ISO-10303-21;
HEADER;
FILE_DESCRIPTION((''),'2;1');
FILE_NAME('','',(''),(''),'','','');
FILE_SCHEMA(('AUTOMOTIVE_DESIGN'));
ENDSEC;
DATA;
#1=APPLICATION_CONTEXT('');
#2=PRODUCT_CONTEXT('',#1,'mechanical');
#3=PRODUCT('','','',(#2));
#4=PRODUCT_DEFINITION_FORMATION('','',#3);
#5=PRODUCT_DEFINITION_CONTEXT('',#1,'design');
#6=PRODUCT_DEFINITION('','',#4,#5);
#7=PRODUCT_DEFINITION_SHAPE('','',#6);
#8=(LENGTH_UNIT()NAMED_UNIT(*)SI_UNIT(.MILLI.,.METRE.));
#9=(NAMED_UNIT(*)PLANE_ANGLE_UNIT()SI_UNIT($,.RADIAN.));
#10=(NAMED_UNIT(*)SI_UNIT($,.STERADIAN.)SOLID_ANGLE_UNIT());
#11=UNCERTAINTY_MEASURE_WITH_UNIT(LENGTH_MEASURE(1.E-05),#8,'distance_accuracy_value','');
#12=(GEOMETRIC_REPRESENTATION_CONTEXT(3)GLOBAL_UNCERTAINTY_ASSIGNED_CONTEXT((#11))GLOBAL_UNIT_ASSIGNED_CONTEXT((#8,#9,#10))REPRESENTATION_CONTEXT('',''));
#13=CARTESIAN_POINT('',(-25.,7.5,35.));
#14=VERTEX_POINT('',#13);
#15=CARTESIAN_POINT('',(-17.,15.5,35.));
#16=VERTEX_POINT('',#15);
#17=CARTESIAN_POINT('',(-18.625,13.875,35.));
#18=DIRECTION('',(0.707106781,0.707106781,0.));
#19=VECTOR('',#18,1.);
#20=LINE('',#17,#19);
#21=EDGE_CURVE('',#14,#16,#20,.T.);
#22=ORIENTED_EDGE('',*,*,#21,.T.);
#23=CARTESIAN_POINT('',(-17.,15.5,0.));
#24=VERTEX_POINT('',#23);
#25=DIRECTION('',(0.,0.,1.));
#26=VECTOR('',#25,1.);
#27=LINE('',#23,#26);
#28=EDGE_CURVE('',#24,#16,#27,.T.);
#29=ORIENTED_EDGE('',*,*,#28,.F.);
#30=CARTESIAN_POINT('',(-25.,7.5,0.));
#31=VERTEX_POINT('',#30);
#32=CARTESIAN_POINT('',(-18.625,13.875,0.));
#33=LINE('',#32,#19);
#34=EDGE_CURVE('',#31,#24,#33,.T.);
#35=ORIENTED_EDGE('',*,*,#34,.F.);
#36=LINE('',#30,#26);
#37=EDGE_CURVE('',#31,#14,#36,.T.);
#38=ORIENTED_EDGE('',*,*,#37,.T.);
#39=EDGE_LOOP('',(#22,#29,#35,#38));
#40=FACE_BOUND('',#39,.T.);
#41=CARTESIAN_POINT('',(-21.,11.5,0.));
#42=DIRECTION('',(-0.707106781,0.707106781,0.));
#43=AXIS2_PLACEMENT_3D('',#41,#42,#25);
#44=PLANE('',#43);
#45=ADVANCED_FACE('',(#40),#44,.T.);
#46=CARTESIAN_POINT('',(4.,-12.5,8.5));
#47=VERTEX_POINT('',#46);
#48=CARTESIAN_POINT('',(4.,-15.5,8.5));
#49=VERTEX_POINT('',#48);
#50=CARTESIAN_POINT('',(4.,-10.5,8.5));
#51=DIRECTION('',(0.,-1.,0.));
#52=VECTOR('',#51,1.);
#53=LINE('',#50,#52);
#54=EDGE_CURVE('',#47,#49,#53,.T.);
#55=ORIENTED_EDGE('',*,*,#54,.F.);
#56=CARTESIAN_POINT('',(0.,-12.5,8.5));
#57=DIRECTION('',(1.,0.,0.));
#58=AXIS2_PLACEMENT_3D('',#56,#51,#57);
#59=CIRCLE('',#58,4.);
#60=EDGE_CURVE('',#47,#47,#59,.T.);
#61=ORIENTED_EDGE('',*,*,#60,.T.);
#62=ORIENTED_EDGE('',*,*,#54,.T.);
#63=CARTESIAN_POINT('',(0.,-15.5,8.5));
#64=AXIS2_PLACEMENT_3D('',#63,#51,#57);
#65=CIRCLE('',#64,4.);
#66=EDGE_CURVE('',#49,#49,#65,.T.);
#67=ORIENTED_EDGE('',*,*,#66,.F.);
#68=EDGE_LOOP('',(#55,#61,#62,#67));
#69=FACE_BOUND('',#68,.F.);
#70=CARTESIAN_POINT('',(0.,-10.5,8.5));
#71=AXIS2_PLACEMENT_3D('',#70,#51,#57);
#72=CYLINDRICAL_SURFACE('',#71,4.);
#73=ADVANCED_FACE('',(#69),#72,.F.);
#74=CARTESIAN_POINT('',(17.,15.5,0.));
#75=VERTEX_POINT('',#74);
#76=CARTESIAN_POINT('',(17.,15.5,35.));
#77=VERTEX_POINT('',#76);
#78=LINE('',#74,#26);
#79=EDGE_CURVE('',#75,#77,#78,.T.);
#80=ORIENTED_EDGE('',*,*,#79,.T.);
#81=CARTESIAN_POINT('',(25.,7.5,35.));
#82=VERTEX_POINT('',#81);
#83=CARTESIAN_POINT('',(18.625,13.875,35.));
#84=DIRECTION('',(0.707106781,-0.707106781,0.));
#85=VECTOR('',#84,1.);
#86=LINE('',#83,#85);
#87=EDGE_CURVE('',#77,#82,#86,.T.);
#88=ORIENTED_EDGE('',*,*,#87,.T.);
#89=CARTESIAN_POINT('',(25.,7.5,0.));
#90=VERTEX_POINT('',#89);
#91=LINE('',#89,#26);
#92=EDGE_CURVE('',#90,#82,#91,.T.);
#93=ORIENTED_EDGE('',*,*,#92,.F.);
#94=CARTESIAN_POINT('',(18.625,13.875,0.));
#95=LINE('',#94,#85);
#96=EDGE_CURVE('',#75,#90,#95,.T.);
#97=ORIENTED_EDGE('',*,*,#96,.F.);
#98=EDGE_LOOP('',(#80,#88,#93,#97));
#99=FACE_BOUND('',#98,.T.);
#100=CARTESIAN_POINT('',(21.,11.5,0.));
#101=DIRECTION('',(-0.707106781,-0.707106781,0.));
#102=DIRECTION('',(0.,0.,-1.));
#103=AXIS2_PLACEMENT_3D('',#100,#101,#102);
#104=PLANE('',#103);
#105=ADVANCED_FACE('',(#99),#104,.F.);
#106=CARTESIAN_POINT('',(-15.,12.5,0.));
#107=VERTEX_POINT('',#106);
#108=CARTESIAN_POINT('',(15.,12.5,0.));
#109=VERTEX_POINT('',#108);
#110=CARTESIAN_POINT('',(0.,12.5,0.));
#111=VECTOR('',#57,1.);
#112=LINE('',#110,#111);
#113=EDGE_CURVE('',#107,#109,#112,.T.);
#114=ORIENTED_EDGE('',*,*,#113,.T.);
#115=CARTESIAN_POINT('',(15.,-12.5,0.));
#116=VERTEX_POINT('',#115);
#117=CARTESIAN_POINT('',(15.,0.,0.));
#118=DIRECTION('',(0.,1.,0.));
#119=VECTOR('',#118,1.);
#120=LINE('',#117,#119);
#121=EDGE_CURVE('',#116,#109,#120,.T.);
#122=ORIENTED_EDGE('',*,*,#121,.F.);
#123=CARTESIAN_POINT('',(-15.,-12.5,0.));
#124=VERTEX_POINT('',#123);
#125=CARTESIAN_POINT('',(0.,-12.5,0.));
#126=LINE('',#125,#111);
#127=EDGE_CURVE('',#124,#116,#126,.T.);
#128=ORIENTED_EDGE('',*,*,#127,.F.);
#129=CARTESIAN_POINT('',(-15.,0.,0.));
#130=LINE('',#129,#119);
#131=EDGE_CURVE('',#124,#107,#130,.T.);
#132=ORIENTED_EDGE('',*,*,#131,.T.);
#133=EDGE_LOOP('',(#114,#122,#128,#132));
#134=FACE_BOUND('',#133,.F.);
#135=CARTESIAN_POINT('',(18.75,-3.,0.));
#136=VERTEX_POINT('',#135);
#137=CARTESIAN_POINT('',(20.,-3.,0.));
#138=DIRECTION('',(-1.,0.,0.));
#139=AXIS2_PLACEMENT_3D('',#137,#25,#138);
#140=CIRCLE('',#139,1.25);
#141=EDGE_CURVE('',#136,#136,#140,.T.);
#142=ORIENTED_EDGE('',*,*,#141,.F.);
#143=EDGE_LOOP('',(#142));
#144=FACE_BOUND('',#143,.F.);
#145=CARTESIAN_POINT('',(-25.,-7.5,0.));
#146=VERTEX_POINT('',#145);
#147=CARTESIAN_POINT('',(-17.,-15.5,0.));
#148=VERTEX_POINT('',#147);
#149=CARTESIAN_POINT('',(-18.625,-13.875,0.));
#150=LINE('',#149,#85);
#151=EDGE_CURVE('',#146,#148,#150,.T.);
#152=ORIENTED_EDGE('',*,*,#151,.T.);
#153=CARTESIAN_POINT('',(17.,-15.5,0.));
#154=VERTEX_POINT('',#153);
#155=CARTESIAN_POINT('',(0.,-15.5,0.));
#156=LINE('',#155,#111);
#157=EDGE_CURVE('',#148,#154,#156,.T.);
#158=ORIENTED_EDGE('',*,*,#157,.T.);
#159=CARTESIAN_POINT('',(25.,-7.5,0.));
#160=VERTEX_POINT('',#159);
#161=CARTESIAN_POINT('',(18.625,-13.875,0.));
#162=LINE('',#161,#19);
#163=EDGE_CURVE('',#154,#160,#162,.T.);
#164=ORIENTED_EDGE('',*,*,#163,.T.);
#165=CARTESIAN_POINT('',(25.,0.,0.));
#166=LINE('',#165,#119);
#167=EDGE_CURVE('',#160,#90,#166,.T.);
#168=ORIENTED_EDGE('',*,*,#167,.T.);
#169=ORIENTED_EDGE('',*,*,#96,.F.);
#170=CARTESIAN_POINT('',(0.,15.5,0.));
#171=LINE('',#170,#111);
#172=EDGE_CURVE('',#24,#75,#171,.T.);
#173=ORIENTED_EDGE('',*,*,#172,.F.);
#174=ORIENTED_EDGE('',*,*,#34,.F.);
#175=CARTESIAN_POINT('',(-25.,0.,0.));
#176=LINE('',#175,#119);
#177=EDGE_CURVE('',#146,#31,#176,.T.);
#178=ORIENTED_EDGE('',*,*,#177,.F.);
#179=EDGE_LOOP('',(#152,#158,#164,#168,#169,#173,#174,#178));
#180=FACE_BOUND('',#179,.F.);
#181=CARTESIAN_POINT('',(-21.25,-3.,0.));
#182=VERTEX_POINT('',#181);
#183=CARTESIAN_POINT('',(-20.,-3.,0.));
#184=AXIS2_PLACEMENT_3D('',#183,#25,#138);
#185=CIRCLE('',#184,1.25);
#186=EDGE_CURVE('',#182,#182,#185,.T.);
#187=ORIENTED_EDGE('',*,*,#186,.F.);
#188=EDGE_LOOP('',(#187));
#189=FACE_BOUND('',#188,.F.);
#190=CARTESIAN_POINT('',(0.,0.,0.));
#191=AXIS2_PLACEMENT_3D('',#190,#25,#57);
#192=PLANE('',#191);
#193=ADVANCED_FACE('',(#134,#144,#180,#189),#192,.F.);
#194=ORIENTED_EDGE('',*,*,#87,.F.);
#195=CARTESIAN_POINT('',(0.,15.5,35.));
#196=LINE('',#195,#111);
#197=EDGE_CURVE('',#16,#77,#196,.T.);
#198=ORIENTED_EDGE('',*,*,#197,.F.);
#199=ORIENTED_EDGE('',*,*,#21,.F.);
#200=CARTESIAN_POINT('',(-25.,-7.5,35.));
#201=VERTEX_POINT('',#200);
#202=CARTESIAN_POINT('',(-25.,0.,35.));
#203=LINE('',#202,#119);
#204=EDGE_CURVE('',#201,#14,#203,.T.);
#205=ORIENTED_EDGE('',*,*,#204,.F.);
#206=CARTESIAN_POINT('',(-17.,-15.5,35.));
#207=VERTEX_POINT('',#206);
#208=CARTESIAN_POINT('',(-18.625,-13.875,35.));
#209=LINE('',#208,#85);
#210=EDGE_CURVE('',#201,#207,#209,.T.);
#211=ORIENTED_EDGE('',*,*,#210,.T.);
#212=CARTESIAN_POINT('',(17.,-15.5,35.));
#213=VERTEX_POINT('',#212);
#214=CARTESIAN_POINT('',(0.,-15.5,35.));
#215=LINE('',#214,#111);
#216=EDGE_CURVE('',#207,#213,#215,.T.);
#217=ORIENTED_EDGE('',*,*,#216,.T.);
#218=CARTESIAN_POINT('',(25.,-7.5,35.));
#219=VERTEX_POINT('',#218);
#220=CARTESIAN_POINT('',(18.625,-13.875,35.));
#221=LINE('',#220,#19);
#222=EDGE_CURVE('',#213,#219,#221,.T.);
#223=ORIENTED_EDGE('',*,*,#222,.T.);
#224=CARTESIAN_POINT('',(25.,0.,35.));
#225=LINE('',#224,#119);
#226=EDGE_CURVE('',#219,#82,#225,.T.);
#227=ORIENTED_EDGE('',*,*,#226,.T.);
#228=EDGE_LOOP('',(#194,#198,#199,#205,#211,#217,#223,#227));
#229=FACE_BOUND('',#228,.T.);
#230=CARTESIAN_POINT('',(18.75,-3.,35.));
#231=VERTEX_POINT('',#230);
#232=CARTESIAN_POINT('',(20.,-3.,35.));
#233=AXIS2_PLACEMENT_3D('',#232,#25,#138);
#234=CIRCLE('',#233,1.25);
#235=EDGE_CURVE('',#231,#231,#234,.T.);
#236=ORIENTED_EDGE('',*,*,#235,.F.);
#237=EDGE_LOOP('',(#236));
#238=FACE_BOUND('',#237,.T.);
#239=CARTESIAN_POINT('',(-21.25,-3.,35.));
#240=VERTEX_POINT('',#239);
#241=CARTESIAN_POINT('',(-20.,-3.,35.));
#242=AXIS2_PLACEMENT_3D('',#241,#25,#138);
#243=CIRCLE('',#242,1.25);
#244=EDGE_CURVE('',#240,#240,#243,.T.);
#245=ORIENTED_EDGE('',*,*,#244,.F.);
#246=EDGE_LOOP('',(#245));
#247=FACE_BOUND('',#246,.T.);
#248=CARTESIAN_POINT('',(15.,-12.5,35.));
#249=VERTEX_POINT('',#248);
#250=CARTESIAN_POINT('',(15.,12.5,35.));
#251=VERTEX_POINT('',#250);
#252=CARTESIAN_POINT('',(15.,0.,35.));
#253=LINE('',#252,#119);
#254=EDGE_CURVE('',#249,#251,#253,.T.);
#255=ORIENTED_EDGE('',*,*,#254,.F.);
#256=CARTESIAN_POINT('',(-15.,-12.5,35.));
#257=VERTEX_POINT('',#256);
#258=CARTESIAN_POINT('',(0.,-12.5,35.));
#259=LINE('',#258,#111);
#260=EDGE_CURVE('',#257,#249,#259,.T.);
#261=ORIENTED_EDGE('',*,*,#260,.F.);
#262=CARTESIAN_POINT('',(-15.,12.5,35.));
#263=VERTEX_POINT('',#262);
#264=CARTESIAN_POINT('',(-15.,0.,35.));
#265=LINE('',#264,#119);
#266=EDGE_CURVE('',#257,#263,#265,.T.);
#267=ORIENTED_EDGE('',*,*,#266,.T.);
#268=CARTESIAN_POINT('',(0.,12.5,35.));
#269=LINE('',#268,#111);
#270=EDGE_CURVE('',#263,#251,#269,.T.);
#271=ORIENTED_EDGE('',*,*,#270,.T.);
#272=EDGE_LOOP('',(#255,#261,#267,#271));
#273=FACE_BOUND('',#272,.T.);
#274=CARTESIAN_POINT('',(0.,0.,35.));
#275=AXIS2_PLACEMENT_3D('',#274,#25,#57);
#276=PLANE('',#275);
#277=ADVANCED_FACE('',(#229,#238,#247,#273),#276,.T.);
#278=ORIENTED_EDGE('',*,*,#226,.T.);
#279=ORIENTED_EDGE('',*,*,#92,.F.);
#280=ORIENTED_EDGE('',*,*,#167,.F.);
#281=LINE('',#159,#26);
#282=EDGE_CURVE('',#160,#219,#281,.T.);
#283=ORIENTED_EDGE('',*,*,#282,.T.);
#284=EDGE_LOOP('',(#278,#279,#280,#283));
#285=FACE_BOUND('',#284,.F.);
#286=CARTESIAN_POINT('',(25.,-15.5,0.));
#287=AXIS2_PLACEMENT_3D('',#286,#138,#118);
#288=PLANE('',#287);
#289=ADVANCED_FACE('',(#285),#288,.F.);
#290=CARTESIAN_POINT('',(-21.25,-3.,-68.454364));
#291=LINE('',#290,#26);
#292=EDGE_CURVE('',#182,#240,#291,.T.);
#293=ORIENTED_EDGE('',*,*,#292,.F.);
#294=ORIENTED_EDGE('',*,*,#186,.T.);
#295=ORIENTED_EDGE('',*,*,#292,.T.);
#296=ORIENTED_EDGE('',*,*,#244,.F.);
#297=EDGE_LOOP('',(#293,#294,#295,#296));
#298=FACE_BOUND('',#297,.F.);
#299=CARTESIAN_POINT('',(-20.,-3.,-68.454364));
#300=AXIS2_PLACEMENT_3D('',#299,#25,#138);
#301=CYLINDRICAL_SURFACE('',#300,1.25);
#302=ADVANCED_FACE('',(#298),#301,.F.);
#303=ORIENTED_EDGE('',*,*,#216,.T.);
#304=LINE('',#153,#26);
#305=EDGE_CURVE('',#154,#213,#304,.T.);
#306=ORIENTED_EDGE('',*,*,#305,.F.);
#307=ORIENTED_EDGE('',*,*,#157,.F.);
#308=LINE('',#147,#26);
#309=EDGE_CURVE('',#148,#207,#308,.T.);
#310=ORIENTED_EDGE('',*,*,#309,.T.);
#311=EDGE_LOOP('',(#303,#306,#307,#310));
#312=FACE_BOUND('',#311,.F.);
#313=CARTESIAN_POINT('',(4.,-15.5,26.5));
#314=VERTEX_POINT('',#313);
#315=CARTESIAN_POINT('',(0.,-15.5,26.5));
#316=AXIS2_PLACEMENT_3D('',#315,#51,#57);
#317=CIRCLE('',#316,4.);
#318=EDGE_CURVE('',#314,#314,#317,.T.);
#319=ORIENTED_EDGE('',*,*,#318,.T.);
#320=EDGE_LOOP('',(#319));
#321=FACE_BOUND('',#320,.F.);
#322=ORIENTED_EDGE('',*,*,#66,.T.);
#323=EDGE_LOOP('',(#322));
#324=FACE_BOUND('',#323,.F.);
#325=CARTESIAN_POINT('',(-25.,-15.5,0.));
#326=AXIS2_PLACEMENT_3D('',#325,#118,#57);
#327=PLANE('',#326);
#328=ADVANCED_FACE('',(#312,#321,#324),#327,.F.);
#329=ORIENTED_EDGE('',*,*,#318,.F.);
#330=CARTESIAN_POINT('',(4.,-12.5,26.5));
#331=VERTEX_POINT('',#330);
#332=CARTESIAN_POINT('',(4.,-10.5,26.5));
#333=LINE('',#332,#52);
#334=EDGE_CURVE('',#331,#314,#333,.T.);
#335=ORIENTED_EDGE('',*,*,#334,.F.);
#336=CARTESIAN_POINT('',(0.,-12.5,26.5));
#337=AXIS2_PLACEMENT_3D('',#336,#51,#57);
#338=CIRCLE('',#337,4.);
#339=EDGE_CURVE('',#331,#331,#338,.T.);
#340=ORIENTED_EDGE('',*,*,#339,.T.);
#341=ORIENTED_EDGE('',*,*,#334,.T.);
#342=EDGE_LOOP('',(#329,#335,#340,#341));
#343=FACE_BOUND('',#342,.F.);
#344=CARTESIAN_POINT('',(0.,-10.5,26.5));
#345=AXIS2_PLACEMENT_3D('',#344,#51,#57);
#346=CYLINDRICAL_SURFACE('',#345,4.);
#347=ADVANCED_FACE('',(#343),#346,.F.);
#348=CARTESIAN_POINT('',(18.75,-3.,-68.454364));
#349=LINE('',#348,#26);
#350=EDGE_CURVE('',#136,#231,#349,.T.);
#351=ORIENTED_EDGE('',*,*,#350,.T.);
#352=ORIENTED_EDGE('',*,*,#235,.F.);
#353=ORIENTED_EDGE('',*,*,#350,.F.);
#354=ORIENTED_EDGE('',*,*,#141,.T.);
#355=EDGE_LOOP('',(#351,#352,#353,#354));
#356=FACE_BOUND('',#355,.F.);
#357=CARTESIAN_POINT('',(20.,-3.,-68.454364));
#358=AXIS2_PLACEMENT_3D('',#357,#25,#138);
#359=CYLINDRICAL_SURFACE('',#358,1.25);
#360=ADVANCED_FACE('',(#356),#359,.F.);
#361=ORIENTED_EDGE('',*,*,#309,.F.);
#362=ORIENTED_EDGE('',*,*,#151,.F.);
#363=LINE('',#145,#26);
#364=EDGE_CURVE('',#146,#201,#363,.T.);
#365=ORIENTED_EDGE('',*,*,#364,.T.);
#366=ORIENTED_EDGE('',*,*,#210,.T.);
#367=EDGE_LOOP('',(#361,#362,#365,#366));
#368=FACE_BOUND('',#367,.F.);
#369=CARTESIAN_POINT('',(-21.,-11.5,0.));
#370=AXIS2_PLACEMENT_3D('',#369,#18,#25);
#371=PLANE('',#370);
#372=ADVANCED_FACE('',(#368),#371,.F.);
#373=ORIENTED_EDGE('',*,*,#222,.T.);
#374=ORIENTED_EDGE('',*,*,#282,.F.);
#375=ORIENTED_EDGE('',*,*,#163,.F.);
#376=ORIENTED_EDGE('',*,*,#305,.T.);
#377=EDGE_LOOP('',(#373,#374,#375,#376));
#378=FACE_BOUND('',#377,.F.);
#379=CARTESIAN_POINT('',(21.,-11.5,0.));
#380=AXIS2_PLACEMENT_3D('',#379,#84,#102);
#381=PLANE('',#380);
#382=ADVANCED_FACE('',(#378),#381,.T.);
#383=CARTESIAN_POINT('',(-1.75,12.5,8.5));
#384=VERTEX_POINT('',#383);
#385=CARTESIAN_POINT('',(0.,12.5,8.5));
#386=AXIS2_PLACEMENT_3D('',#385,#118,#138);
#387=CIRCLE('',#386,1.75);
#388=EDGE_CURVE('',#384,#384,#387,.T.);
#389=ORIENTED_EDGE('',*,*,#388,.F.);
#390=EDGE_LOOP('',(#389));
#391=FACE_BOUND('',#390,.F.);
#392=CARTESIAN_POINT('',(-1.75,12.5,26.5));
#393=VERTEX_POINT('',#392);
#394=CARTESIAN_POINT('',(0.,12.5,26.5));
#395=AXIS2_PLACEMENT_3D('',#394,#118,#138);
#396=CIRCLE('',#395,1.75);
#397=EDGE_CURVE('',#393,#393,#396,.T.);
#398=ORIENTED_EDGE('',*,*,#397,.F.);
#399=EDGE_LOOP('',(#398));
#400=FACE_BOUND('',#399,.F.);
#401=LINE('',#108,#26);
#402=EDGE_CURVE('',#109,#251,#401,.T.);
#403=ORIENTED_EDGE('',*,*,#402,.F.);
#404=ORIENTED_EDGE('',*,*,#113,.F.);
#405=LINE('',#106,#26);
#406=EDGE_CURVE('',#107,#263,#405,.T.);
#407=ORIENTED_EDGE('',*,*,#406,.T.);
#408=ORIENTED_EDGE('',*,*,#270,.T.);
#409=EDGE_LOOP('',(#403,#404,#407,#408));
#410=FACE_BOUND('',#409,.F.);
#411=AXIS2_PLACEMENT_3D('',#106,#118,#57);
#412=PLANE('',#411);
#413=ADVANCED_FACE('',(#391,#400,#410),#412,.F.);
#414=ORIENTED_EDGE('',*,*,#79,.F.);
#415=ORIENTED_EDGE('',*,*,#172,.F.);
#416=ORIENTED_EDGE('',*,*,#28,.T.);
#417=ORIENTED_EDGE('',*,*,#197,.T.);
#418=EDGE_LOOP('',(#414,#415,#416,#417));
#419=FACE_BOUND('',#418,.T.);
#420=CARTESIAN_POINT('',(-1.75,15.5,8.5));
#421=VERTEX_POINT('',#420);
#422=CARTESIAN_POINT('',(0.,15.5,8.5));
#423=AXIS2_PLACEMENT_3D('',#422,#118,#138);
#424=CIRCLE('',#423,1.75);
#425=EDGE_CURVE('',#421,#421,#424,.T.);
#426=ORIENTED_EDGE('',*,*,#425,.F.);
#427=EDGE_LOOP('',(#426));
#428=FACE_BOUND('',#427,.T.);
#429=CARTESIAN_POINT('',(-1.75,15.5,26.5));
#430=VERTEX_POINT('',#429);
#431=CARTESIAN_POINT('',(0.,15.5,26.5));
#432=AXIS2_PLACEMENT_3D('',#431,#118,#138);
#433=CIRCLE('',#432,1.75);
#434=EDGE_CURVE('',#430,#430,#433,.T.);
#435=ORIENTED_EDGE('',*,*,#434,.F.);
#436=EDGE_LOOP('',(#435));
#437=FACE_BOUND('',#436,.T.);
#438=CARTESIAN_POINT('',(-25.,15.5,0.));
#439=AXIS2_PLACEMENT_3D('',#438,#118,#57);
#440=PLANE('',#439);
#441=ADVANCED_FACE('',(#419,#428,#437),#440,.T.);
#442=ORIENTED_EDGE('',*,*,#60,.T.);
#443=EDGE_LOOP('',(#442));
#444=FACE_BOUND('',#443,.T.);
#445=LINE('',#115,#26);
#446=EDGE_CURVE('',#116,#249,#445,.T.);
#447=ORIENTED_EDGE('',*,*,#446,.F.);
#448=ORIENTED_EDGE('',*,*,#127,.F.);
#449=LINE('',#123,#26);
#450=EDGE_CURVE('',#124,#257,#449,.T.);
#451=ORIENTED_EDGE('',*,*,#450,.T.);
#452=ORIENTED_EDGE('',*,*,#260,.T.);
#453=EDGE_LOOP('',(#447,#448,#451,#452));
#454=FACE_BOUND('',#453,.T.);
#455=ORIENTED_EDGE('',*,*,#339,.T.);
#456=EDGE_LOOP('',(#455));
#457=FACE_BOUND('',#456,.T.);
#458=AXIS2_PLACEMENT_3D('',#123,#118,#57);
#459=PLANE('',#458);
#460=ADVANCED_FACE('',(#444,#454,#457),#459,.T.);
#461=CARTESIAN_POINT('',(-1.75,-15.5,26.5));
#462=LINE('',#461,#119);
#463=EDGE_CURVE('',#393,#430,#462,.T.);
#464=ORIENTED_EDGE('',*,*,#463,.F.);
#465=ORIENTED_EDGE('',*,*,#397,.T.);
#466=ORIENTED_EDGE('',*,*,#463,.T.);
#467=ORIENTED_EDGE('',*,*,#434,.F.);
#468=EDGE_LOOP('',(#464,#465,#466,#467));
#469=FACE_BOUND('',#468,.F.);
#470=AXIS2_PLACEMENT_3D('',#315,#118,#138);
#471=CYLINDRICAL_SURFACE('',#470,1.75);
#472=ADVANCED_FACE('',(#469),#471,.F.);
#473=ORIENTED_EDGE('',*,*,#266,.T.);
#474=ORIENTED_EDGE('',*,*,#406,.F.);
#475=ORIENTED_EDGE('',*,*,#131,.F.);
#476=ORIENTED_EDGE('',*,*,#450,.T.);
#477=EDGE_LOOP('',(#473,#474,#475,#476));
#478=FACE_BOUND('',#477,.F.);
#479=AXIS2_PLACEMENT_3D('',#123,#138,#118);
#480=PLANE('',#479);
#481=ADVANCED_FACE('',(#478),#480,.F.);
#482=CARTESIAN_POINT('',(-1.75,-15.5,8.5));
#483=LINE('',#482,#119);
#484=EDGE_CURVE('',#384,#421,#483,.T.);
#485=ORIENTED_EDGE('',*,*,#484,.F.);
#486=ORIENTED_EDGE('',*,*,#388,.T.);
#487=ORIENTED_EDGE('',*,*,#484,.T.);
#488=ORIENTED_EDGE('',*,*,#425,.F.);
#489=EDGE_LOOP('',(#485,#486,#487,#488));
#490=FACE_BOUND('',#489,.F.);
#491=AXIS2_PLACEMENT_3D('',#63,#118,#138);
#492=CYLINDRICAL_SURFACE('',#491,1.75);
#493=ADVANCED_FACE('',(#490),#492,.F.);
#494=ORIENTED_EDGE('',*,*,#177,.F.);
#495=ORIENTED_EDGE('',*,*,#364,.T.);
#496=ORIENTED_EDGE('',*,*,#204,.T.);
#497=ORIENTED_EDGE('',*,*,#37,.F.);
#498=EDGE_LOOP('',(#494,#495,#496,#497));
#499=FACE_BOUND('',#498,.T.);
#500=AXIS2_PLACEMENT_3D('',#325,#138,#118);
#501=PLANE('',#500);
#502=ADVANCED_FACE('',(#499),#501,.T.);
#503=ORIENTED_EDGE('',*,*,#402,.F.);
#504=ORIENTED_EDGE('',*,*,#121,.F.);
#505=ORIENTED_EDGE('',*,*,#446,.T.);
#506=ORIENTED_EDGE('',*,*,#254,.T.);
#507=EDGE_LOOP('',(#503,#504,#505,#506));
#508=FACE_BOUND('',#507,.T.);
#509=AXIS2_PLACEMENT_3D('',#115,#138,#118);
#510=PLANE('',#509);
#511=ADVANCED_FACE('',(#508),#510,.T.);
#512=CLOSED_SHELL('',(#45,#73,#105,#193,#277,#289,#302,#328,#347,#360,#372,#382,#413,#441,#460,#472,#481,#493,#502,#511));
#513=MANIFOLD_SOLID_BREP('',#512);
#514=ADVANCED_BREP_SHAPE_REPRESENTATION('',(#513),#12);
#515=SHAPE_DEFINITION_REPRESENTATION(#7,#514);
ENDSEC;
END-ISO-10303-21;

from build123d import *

# Parameters (mm, degrees)
F0_W           = 50
F0_H           = 31
F0_W_2         = 30
F0_H_2         = 25
F1_DEPTH       = 35
F3_D           = 3.5
F3_CBORE_D     = 8
F3_CBORE_DEPTH = 5
F5_D           = 2.5
F6_SIZE        = 8


with BuildPart() as f1:
    # F0 (on Top) → F1 (new body)
    with BuildSketch(Plane.XY):
        Rectangle(F0_W, F0_H)
        Rectangle(F0_W_2, F0_H_2, mode=Mode.SUBTRACT)
    extrude(amount=F1_DEPTH)

    # F3 (through all)
    with Locations(Plane.XZ.offset(15.5)):
        with Locations((0, 26.5), (0, 8.5)):
            CounterBoreHole(F3_D / 2, F3_CBORE_D / 2, F3_CBORE_DEPTH)

    # F5 (through all)
    with Locations(Plane(origin=(0, 0, 0), x_dir=(1, 0, 0), z_dir=(0, 0, -1))):
        with Locations((-20, 3), (20, 3)):
            Hole(F5_D / 2)

    # F6
    f6_edges = [f1.edges().sort_by_distance(p)[0] for p in [
        (25, -15.5, 17.5),
        (-25, -15.5, 17.5),
        (-25, 15.5, 17.5),
        (25, 15.5, 17.5),
    ]]
    chamfer(f6_edges, length=F6_SIZE)


solid = f1.part
